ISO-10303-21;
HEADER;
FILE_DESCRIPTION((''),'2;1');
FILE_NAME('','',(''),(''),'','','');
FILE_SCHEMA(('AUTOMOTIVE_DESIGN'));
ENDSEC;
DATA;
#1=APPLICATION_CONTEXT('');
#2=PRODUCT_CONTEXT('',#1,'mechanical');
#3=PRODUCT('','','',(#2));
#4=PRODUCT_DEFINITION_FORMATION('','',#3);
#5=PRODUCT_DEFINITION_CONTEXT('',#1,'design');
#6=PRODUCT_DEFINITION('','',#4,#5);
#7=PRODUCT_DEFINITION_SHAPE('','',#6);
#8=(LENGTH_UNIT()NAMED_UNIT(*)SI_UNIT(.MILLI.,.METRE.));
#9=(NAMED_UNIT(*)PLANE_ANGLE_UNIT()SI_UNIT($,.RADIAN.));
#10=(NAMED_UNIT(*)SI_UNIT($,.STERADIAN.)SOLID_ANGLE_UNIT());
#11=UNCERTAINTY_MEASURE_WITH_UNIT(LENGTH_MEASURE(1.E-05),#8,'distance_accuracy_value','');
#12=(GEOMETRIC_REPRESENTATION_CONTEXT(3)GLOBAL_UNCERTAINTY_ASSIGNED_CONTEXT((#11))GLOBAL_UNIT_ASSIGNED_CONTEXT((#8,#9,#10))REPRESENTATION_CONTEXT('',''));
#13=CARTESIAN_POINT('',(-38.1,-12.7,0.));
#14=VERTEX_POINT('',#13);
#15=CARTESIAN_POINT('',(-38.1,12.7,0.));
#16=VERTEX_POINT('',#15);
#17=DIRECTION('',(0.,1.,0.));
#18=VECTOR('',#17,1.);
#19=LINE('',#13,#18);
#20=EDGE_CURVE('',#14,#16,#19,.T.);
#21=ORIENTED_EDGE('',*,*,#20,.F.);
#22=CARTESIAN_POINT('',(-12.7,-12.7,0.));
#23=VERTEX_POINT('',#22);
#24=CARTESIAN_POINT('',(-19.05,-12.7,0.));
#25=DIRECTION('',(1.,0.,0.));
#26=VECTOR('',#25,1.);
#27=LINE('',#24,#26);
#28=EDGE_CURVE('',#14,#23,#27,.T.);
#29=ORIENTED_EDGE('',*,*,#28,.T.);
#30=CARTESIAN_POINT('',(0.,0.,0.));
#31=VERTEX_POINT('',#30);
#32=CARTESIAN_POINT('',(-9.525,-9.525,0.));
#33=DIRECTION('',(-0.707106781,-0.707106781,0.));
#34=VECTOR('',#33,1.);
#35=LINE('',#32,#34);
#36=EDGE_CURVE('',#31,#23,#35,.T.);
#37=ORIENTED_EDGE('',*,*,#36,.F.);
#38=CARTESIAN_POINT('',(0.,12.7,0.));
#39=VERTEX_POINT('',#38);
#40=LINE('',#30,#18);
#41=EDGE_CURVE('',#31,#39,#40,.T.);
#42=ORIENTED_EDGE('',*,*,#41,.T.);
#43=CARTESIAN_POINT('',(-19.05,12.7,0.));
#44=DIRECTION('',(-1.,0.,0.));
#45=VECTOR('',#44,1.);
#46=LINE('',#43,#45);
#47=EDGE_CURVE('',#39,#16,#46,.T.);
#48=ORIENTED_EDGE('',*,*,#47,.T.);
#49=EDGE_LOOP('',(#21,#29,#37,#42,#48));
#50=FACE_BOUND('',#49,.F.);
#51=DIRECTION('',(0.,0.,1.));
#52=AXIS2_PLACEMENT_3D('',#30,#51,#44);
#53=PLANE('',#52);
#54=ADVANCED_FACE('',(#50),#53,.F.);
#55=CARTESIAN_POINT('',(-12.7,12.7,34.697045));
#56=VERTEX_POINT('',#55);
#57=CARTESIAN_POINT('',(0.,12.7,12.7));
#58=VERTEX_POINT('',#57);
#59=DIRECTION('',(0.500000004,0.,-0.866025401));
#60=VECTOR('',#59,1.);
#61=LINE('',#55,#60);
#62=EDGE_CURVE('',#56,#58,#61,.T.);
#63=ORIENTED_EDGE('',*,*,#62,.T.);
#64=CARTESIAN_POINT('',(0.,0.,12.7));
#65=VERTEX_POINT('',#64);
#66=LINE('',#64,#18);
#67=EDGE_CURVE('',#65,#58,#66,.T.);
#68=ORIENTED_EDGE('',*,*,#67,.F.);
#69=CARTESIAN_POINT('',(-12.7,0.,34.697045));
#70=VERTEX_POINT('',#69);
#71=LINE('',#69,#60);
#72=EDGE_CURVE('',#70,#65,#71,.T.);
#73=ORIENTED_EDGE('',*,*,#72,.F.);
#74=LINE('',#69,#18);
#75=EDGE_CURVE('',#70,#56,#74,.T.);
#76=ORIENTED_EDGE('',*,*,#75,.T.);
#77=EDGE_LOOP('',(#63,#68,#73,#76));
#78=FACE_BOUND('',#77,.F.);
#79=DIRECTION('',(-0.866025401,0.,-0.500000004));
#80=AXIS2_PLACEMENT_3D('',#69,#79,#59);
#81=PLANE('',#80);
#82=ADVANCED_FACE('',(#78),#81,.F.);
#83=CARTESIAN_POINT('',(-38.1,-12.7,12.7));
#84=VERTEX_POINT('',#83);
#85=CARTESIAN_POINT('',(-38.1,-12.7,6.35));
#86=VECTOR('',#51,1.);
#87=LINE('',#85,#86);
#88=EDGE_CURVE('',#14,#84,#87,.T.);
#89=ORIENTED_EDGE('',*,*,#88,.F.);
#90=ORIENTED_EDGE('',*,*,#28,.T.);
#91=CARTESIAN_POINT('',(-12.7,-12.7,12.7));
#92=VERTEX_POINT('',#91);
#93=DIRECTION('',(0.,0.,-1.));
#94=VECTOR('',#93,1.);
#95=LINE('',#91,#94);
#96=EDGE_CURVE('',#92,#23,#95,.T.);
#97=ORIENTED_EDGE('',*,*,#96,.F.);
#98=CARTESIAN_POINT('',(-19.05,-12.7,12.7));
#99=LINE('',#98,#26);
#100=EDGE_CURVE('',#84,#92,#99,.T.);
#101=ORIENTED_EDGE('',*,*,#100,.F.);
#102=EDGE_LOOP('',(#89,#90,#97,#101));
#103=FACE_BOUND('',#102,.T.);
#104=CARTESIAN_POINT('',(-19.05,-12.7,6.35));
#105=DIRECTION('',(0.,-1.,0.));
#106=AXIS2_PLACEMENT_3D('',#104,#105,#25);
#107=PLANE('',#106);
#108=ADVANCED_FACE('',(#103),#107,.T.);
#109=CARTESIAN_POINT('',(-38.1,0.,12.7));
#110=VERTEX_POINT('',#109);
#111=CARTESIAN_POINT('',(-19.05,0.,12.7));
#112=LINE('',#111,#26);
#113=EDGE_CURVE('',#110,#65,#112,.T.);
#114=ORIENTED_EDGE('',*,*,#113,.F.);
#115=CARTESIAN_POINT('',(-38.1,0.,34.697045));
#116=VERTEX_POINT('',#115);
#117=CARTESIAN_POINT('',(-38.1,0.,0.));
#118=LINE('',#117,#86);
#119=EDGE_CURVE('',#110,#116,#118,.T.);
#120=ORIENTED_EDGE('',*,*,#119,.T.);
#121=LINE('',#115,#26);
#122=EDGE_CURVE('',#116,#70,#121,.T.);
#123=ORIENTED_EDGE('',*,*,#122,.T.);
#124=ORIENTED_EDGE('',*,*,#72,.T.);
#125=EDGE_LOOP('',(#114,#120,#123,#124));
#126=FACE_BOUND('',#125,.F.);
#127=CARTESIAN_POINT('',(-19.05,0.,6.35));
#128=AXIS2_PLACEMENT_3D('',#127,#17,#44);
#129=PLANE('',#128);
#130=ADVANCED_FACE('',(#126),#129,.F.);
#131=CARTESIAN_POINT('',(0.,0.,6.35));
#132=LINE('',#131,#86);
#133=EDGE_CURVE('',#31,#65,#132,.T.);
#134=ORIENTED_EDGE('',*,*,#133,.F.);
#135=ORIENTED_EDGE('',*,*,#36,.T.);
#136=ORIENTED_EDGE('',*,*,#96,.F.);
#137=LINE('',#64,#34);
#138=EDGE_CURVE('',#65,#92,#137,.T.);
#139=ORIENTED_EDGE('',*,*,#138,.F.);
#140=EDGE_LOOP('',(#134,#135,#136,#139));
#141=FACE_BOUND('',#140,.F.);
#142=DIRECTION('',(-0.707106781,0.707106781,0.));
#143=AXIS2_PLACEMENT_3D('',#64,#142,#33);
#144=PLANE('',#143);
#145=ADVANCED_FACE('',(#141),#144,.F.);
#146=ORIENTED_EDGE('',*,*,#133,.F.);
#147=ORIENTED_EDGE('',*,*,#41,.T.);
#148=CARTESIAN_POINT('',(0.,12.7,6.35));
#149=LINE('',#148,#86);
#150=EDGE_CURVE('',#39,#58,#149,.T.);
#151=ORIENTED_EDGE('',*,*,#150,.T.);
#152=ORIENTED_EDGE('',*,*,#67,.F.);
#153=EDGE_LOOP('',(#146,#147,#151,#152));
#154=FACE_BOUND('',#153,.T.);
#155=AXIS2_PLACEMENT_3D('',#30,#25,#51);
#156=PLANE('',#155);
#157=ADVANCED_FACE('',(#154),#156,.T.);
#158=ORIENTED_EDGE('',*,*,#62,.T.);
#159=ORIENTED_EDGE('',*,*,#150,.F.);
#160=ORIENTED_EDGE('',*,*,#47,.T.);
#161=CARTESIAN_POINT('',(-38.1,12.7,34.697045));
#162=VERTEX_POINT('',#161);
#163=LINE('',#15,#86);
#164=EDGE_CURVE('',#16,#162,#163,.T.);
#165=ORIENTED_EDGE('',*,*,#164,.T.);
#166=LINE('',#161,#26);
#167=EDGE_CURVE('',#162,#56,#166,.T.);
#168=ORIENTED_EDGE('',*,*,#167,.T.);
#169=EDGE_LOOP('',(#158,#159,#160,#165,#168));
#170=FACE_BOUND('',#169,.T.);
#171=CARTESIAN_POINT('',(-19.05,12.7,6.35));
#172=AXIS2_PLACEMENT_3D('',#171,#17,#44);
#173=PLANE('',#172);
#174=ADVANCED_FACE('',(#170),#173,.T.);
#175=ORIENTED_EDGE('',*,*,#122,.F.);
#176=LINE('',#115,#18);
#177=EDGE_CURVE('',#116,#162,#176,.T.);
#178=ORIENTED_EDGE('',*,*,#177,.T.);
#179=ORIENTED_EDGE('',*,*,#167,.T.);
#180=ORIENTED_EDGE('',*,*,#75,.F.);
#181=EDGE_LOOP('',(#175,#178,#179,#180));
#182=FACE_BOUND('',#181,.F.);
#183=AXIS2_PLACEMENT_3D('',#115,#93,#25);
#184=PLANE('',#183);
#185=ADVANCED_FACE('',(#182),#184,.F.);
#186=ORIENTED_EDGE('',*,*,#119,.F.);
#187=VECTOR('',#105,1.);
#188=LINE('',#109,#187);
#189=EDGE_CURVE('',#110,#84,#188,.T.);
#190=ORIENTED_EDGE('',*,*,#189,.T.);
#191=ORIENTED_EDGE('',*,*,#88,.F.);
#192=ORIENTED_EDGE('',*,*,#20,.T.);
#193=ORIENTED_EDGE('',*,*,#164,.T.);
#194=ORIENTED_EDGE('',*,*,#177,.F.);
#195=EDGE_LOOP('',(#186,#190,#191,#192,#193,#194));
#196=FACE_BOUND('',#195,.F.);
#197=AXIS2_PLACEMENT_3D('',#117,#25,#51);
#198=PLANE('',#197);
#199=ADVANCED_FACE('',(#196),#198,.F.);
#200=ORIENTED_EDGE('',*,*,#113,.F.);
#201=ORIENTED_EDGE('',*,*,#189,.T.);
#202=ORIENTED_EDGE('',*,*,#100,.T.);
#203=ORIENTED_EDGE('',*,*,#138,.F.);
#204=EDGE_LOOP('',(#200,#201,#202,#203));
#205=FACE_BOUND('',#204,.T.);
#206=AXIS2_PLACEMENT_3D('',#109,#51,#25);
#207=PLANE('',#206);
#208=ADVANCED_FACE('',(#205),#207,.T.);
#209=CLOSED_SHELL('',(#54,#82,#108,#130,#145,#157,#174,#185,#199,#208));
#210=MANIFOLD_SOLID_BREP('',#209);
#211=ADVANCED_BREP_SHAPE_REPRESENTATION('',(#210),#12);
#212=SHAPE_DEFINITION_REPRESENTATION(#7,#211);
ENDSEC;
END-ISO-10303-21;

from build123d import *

# Parameters (mm, degrees)
F0_W     = 38.1
F0_H     = 12.7
F1_DEPTH = 12.7
F3_DEPTH = 25.4
F4_W     = 38.1
F4_H     = 12.7
F5_DEPTH = 12.7


with BuildPart() as f1:
    # F0 (on Front) → F1 (new body)
    with BuildSketch(Plane.XZ):
        with Locations((-19.05, 6.35)):
            Rectangle(F0_W, F0_H)
    extrude(amount=F1_DEPTH)

    # F2 (on face) → F3 (cut)
    with BuildSketch(Plane.XY.offset(12.7)):
        Polygon((0, -12.7), (0, 0), (-12.7, -12.7), align=None)
    extrude(amount=-F3_DEPTH, mode=Mode.SUBTRACT)

    # F4 (on face) → F5 (join)
    with BuildSketch(Plane(origin=(0, 0, 0), x_dir=(-1, 0, 0), z_dir=(0, 1, 0))):
        with Locations((19.05, 6.35)):
            Rectangle(F4_W, F4_H)
        Polygon((0, 12.7), (38.1, 12.7), (38.1, 34.697045), (12.7, 34.697045), align=None)
    extrude(amount=F5_DEPTH)


solid = f1.part
